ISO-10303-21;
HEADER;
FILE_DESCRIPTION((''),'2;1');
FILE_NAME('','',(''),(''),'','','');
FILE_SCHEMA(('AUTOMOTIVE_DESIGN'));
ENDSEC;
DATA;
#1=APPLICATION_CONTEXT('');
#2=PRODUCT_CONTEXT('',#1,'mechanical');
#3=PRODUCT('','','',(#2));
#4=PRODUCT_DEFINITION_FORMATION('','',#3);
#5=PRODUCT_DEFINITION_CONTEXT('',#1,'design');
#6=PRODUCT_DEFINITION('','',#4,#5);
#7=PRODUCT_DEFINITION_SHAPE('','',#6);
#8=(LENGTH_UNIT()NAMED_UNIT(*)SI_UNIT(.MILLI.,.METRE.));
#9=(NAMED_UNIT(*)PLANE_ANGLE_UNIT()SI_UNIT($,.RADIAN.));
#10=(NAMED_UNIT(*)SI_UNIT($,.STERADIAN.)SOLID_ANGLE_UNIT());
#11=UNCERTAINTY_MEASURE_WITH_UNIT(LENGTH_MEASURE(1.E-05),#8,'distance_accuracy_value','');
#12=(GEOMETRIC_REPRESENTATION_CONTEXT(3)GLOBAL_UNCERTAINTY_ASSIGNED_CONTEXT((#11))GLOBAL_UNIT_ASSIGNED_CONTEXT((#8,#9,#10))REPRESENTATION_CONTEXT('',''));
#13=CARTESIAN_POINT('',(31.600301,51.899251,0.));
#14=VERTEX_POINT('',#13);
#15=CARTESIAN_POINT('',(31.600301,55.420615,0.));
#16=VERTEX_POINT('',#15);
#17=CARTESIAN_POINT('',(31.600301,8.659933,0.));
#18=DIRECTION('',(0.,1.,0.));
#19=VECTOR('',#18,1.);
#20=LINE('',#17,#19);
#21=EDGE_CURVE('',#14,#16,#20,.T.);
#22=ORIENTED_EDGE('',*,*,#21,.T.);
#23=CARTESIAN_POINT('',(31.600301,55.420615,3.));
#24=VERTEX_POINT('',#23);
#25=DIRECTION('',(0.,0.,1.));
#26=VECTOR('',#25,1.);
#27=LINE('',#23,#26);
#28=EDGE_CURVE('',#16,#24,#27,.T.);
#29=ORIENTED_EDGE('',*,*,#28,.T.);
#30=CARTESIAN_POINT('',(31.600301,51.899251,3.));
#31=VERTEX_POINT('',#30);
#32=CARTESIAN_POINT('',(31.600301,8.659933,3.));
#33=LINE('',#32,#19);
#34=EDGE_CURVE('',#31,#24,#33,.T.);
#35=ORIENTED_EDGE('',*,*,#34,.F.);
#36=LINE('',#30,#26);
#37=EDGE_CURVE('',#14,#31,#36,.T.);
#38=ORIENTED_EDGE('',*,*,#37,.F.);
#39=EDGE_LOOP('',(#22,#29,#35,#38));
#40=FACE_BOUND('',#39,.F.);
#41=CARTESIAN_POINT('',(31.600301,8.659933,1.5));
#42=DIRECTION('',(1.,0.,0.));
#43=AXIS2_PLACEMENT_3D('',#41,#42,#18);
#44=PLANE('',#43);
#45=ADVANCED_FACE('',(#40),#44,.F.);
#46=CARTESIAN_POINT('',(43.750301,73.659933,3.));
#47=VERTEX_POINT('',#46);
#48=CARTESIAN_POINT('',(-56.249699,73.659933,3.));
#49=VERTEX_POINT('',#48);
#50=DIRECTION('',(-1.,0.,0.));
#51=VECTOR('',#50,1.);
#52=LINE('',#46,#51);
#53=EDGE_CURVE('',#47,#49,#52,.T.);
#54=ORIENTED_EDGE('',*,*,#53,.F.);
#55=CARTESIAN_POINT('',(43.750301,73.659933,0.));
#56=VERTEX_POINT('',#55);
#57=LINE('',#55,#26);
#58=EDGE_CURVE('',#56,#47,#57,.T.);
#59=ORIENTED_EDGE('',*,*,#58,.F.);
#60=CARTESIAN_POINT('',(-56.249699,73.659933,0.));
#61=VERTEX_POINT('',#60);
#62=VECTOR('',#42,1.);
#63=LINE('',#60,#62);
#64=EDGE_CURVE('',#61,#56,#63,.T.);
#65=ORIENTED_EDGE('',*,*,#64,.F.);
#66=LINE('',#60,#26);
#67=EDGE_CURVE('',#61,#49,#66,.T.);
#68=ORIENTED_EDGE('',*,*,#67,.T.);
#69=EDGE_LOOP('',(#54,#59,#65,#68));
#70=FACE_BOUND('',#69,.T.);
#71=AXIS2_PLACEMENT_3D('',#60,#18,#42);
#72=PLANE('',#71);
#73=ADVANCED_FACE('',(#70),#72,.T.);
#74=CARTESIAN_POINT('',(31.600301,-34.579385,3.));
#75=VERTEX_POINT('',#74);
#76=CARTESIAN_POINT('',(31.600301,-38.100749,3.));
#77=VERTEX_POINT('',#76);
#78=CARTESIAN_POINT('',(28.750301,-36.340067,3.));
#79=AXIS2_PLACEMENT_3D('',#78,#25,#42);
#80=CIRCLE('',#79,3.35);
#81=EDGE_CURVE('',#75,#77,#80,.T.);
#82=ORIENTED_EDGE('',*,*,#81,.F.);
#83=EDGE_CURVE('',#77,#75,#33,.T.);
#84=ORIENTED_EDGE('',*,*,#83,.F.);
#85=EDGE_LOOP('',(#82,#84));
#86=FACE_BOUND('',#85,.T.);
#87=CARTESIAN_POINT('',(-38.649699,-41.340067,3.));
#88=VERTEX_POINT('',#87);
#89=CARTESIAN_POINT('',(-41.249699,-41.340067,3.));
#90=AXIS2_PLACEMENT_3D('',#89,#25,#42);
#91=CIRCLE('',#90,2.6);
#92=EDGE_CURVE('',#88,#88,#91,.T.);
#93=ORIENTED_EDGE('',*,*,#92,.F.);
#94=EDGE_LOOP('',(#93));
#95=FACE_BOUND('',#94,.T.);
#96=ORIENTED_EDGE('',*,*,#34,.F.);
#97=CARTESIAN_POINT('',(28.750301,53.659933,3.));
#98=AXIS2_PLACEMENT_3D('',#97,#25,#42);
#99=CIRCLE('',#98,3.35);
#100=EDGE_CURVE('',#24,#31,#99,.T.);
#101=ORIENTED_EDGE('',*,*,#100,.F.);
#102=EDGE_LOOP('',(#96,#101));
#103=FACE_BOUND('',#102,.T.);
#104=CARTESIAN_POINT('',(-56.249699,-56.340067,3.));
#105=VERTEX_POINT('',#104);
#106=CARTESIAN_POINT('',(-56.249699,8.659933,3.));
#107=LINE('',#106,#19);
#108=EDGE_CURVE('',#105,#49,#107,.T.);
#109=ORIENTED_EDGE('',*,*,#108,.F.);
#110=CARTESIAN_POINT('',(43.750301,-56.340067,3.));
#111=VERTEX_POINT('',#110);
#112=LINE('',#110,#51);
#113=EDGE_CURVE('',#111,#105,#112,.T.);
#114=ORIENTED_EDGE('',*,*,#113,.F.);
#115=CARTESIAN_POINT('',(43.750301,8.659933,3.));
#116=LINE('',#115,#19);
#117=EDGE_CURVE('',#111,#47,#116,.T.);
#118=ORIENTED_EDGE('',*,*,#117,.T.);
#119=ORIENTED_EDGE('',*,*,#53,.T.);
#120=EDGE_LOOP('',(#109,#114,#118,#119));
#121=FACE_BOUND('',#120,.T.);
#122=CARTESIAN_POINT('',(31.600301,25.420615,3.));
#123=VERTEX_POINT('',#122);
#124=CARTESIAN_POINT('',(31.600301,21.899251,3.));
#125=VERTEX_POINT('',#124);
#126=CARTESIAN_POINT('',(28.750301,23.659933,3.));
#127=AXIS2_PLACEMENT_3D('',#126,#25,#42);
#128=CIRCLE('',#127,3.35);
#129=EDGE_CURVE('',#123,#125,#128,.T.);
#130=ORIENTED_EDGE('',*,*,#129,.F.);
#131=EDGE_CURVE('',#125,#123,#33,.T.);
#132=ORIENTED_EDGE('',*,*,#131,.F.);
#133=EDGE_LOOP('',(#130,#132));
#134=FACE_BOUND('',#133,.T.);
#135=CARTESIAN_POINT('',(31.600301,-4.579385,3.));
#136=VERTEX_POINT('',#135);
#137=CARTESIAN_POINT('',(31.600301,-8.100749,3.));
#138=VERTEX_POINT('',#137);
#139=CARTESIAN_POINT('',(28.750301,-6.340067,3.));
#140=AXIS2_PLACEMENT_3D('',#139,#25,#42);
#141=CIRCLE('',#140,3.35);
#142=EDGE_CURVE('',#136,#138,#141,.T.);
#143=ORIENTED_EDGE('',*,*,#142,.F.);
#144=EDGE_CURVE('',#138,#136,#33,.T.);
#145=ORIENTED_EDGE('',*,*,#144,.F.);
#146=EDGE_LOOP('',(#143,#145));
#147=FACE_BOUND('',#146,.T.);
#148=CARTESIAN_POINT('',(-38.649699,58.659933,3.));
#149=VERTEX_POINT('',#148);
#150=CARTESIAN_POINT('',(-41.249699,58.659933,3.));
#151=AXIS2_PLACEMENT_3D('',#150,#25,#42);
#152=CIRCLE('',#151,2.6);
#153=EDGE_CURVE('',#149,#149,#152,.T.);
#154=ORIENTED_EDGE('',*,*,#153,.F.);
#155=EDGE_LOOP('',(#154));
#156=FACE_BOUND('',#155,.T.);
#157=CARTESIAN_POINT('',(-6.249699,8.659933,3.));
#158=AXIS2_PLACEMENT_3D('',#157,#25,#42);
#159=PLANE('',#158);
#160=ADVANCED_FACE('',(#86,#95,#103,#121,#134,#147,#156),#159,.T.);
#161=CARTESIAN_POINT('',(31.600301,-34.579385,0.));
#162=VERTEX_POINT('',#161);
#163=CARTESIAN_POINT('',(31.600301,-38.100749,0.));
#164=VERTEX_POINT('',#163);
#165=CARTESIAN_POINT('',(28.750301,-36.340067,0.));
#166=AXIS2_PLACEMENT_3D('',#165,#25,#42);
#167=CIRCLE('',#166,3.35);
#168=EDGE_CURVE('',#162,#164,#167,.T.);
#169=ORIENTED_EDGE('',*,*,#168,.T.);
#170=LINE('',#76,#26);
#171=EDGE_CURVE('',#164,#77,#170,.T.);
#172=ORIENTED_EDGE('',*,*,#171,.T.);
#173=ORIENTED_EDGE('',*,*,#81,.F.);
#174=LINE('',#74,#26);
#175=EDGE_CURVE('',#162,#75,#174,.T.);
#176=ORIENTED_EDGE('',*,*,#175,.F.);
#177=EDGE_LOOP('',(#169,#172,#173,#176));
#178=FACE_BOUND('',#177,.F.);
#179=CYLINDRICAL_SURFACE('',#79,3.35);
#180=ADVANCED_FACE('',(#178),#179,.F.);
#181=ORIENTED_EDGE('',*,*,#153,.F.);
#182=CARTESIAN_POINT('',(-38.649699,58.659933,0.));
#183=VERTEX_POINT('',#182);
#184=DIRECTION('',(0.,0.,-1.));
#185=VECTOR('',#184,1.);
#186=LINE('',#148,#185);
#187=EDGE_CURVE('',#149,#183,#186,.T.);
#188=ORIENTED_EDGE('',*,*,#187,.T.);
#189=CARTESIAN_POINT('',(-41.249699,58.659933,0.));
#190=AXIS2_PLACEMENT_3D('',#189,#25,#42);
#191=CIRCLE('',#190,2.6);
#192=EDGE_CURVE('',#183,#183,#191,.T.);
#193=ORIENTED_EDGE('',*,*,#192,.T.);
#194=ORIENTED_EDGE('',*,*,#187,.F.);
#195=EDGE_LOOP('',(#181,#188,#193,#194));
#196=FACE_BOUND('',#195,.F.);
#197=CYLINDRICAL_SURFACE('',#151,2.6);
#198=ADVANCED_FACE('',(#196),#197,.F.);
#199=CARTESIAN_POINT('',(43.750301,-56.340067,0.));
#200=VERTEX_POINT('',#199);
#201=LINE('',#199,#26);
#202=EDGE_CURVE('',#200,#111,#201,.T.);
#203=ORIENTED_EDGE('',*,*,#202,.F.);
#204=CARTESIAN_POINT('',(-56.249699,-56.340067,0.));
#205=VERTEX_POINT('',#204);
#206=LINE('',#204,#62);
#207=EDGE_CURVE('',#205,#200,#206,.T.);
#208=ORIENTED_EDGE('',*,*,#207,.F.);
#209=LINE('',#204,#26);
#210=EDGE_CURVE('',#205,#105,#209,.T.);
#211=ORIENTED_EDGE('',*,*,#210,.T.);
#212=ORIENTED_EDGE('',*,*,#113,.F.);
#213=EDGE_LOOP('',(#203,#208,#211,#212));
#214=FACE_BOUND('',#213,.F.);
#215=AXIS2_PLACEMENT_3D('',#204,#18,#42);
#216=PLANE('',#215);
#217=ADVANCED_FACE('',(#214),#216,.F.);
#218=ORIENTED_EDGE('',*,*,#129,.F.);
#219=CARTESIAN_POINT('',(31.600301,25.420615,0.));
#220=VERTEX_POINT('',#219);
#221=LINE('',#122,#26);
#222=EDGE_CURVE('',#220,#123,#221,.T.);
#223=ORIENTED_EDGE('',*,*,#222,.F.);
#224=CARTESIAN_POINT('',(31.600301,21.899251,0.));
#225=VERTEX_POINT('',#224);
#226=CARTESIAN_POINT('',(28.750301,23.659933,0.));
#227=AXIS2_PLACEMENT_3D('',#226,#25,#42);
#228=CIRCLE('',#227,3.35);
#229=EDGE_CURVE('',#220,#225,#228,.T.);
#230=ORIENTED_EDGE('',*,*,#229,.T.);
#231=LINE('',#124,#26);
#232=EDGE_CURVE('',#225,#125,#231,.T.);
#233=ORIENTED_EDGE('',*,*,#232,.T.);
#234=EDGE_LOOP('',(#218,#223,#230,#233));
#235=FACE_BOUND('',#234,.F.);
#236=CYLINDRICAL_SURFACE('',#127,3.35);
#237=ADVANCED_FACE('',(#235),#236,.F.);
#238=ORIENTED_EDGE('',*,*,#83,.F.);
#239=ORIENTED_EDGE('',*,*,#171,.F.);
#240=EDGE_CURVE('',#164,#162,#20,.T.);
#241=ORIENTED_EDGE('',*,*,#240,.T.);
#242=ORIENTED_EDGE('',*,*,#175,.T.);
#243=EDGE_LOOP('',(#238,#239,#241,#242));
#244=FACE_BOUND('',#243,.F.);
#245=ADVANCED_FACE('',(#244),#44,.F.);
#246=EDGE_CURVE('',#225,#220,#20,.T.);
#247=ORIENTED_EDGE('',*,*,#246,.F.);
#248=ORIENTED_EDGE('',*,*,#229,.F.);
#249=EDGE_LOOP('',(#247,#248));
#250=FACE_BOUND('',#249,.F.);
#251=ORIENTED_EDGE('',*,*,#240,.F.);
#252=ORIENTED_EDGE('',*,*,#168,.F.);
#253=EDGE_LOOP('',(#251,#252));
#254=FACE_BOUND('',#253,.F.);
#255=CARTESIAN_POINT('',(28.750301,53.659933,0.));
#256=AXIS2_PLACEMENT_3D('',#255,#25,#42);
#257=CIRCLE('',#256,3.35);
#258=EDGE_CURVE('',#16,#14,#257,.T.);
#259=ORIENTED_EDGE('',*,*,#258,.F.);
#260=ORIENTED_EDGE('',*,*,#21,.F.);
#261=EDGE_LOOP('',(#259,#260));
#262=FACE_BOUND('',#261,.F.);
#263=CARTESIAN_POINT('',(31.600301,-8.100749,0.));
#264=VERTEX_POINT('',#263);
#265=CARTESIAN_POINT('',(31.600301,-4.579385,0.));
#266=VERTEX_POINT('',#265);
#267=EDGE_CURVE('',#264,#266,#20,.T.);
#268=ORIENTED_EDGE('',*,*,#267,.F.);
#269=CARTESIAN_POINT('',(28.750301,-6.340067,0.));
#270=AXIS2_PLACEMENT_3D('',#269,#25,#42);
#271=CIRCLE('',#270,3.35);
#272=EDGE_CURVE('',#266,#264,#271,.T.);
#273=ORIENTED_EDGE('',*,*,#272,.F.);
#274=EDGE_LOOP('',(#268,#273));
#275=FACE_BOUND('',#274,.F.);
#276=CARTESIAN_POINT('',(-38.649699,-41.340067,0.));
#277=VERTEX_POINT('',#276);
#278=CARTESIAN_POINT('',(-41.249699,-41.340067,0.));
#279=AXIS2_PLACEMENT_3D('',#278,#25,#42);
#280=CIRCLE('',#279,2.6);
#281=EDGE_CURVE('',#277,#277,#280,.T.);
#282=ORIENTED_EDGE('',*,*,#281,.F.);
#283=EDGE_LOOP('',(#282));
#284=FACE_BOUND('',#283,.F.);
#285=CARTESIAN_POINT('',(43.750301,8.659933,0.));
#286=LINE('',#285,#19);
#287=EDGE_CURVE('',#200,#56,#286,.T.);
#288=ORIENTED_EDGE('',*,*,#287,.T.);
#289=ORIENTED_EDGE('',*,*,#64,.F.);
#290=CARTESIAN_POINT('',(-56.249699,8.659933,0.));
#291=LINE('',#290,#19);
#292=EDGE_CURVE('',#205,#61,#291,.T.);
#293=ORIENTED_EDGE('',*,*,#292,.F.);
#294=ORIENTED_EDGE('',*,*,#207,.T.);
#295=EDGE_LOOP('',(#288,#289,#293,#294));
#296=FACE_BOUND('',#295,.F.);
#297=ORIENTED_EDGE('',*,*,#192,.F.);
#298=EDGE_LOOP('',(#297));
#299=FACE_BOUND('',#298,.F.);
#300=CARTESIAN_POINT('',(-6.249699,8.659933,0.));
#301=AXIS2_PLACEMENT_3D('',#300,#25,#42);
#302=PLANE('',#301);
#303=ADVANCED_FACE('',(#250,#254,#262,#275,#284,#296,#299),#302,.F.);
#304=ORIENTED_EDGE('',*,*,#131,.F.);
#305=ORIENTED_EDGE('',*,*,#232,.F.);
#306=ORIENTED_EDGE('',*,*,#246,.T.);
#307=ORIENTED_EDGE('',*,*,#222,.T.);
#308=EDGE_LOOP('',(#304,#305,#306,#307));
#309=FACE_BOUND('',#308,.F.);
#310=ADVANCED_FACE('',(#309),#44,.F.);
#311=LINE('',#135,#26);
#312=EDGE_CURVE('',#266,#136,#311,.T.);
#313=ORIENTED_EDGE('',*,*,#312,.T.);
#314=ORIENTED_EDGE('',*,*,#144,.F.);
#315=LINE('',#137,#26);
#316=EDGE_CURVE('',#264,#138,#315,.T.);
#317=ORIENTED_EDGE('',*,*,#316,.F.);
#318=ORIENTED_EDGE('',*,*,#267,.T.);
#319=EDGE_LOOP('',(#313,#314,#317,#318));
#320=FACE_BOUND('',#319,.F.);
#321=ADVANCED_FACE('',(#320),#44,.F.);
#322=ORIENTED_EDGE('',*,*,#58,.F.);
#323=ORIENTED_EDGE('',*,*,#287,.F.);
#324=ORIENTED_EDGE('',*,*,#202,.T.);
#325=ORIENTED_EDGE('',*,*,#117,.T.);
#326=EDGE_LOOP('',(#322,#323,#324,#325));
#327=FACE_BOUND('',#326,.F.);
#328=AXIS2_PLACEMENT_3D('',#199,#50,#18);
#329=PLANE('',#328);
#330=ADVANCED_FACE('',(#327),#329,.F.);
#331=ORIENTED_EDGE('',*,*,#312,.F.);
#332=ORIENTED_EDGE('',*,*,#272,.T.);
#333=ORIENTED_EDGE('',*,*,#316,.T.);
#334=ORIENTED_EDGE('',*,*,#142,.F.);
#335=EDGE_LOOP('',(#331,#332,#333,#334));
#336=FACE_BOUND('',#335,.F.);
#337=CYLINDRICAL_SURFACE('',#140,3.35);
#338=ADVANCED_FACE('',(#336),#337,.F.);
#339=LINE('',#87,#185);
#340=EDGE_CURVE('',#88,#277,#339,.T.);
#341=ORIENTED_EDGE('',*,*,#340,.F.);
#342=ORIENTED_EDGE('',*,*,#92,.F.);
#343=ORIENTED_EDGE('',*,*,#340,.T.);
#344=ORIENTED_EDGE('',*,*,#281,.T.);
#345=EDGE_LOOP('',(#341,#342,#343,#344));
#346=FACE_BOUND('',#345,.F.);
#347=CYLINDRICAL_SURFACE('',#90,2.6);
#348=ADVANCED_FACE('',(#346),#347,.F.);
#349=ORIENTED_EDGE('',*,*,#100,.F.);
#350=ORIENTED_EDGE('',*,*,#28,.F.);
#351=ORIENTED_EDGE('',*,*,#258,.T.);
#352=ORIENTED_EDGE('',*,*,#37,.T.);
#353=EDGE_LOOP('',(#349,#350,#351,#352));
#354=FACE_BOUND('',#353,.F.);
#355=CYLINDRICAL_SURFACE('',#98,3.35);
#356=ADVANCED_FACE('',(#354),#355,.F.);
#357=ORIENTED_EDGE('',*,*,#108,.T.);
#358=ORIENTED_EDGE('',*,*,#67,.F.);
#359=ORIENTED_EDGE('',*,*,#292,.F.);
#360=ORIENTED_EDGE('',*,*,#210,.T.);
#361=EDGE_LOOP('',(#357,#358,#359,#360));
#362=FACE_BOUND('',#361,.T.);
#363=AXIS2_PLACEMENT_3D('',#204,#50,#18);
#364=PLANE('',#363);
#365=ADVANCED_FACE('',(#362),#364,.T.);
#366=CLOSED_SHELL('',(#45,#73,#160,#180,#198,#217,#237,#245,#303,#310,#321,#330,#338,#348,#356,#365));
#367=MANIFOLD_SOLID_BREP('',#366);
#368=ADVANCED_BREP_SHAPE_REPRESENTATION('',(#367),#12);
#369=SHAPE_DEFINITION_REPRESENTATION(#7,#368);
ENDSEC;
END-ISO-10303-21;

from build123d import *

# Parameters (mm, degrees)
F0_W     = 100
F0_H     = 130
F1_DEPTH = 3
F2_R     = 2.6
F3_DEPTH = 3.001
F4_R     = 3.35
F5_DEPTH = 3.001
F6_W     = 130
F6_H     = 3
F7_DEPTH = 12.15


with BuildPart() as f1:
    # F0 (on Top) → F1 (new body)
    with BuildSketch(Plane.XY):
        with Locations((-6.249699, 8.659933)):
            Rectangle(F0_W, F0_H)
    extrude(amount=F1_DEPTH)

    # F2 (on face) → F3 (cut, through all)
    with BuildSketch(Plane.XY.offset(3)):
        with Locations((-41.249699, -41.340067)):
            Circle(F2_R)
        with Locations((-41.249699, 58.659933)):
            Circle(F2_R)
    extrude(amount=-F3_DEPTH, mode=Mode.SUBTRACT)

    # F4 (on face) → F5 (cut, through all)
    with BuildSketch(Plane.XY.offset(3)):
        with Locations((28.750301, -36.340067)):
            Circle(F4_R)
        with Locations((28.750301, -6.340067)):
            Circle(F4_R)
        with Locations((28.750301, 23.659933)):
            Circle(F4_R)
        with Locations((28.750301, 53.659933)):
            Circle(F4_R)
    extrude(amount=-F5_DEPTH, mode=Mode.SUBTRACT)

    # F6 (on face) → F7 (join)
    with BuildSketch(Plane.YZ.offset(43.750301)):
        with Locations((8.659933, 1.5)):
            Rectangle(F6_W, F6_H)
    extrude(amount=-F7_DEPTH)


solid = f1.part
